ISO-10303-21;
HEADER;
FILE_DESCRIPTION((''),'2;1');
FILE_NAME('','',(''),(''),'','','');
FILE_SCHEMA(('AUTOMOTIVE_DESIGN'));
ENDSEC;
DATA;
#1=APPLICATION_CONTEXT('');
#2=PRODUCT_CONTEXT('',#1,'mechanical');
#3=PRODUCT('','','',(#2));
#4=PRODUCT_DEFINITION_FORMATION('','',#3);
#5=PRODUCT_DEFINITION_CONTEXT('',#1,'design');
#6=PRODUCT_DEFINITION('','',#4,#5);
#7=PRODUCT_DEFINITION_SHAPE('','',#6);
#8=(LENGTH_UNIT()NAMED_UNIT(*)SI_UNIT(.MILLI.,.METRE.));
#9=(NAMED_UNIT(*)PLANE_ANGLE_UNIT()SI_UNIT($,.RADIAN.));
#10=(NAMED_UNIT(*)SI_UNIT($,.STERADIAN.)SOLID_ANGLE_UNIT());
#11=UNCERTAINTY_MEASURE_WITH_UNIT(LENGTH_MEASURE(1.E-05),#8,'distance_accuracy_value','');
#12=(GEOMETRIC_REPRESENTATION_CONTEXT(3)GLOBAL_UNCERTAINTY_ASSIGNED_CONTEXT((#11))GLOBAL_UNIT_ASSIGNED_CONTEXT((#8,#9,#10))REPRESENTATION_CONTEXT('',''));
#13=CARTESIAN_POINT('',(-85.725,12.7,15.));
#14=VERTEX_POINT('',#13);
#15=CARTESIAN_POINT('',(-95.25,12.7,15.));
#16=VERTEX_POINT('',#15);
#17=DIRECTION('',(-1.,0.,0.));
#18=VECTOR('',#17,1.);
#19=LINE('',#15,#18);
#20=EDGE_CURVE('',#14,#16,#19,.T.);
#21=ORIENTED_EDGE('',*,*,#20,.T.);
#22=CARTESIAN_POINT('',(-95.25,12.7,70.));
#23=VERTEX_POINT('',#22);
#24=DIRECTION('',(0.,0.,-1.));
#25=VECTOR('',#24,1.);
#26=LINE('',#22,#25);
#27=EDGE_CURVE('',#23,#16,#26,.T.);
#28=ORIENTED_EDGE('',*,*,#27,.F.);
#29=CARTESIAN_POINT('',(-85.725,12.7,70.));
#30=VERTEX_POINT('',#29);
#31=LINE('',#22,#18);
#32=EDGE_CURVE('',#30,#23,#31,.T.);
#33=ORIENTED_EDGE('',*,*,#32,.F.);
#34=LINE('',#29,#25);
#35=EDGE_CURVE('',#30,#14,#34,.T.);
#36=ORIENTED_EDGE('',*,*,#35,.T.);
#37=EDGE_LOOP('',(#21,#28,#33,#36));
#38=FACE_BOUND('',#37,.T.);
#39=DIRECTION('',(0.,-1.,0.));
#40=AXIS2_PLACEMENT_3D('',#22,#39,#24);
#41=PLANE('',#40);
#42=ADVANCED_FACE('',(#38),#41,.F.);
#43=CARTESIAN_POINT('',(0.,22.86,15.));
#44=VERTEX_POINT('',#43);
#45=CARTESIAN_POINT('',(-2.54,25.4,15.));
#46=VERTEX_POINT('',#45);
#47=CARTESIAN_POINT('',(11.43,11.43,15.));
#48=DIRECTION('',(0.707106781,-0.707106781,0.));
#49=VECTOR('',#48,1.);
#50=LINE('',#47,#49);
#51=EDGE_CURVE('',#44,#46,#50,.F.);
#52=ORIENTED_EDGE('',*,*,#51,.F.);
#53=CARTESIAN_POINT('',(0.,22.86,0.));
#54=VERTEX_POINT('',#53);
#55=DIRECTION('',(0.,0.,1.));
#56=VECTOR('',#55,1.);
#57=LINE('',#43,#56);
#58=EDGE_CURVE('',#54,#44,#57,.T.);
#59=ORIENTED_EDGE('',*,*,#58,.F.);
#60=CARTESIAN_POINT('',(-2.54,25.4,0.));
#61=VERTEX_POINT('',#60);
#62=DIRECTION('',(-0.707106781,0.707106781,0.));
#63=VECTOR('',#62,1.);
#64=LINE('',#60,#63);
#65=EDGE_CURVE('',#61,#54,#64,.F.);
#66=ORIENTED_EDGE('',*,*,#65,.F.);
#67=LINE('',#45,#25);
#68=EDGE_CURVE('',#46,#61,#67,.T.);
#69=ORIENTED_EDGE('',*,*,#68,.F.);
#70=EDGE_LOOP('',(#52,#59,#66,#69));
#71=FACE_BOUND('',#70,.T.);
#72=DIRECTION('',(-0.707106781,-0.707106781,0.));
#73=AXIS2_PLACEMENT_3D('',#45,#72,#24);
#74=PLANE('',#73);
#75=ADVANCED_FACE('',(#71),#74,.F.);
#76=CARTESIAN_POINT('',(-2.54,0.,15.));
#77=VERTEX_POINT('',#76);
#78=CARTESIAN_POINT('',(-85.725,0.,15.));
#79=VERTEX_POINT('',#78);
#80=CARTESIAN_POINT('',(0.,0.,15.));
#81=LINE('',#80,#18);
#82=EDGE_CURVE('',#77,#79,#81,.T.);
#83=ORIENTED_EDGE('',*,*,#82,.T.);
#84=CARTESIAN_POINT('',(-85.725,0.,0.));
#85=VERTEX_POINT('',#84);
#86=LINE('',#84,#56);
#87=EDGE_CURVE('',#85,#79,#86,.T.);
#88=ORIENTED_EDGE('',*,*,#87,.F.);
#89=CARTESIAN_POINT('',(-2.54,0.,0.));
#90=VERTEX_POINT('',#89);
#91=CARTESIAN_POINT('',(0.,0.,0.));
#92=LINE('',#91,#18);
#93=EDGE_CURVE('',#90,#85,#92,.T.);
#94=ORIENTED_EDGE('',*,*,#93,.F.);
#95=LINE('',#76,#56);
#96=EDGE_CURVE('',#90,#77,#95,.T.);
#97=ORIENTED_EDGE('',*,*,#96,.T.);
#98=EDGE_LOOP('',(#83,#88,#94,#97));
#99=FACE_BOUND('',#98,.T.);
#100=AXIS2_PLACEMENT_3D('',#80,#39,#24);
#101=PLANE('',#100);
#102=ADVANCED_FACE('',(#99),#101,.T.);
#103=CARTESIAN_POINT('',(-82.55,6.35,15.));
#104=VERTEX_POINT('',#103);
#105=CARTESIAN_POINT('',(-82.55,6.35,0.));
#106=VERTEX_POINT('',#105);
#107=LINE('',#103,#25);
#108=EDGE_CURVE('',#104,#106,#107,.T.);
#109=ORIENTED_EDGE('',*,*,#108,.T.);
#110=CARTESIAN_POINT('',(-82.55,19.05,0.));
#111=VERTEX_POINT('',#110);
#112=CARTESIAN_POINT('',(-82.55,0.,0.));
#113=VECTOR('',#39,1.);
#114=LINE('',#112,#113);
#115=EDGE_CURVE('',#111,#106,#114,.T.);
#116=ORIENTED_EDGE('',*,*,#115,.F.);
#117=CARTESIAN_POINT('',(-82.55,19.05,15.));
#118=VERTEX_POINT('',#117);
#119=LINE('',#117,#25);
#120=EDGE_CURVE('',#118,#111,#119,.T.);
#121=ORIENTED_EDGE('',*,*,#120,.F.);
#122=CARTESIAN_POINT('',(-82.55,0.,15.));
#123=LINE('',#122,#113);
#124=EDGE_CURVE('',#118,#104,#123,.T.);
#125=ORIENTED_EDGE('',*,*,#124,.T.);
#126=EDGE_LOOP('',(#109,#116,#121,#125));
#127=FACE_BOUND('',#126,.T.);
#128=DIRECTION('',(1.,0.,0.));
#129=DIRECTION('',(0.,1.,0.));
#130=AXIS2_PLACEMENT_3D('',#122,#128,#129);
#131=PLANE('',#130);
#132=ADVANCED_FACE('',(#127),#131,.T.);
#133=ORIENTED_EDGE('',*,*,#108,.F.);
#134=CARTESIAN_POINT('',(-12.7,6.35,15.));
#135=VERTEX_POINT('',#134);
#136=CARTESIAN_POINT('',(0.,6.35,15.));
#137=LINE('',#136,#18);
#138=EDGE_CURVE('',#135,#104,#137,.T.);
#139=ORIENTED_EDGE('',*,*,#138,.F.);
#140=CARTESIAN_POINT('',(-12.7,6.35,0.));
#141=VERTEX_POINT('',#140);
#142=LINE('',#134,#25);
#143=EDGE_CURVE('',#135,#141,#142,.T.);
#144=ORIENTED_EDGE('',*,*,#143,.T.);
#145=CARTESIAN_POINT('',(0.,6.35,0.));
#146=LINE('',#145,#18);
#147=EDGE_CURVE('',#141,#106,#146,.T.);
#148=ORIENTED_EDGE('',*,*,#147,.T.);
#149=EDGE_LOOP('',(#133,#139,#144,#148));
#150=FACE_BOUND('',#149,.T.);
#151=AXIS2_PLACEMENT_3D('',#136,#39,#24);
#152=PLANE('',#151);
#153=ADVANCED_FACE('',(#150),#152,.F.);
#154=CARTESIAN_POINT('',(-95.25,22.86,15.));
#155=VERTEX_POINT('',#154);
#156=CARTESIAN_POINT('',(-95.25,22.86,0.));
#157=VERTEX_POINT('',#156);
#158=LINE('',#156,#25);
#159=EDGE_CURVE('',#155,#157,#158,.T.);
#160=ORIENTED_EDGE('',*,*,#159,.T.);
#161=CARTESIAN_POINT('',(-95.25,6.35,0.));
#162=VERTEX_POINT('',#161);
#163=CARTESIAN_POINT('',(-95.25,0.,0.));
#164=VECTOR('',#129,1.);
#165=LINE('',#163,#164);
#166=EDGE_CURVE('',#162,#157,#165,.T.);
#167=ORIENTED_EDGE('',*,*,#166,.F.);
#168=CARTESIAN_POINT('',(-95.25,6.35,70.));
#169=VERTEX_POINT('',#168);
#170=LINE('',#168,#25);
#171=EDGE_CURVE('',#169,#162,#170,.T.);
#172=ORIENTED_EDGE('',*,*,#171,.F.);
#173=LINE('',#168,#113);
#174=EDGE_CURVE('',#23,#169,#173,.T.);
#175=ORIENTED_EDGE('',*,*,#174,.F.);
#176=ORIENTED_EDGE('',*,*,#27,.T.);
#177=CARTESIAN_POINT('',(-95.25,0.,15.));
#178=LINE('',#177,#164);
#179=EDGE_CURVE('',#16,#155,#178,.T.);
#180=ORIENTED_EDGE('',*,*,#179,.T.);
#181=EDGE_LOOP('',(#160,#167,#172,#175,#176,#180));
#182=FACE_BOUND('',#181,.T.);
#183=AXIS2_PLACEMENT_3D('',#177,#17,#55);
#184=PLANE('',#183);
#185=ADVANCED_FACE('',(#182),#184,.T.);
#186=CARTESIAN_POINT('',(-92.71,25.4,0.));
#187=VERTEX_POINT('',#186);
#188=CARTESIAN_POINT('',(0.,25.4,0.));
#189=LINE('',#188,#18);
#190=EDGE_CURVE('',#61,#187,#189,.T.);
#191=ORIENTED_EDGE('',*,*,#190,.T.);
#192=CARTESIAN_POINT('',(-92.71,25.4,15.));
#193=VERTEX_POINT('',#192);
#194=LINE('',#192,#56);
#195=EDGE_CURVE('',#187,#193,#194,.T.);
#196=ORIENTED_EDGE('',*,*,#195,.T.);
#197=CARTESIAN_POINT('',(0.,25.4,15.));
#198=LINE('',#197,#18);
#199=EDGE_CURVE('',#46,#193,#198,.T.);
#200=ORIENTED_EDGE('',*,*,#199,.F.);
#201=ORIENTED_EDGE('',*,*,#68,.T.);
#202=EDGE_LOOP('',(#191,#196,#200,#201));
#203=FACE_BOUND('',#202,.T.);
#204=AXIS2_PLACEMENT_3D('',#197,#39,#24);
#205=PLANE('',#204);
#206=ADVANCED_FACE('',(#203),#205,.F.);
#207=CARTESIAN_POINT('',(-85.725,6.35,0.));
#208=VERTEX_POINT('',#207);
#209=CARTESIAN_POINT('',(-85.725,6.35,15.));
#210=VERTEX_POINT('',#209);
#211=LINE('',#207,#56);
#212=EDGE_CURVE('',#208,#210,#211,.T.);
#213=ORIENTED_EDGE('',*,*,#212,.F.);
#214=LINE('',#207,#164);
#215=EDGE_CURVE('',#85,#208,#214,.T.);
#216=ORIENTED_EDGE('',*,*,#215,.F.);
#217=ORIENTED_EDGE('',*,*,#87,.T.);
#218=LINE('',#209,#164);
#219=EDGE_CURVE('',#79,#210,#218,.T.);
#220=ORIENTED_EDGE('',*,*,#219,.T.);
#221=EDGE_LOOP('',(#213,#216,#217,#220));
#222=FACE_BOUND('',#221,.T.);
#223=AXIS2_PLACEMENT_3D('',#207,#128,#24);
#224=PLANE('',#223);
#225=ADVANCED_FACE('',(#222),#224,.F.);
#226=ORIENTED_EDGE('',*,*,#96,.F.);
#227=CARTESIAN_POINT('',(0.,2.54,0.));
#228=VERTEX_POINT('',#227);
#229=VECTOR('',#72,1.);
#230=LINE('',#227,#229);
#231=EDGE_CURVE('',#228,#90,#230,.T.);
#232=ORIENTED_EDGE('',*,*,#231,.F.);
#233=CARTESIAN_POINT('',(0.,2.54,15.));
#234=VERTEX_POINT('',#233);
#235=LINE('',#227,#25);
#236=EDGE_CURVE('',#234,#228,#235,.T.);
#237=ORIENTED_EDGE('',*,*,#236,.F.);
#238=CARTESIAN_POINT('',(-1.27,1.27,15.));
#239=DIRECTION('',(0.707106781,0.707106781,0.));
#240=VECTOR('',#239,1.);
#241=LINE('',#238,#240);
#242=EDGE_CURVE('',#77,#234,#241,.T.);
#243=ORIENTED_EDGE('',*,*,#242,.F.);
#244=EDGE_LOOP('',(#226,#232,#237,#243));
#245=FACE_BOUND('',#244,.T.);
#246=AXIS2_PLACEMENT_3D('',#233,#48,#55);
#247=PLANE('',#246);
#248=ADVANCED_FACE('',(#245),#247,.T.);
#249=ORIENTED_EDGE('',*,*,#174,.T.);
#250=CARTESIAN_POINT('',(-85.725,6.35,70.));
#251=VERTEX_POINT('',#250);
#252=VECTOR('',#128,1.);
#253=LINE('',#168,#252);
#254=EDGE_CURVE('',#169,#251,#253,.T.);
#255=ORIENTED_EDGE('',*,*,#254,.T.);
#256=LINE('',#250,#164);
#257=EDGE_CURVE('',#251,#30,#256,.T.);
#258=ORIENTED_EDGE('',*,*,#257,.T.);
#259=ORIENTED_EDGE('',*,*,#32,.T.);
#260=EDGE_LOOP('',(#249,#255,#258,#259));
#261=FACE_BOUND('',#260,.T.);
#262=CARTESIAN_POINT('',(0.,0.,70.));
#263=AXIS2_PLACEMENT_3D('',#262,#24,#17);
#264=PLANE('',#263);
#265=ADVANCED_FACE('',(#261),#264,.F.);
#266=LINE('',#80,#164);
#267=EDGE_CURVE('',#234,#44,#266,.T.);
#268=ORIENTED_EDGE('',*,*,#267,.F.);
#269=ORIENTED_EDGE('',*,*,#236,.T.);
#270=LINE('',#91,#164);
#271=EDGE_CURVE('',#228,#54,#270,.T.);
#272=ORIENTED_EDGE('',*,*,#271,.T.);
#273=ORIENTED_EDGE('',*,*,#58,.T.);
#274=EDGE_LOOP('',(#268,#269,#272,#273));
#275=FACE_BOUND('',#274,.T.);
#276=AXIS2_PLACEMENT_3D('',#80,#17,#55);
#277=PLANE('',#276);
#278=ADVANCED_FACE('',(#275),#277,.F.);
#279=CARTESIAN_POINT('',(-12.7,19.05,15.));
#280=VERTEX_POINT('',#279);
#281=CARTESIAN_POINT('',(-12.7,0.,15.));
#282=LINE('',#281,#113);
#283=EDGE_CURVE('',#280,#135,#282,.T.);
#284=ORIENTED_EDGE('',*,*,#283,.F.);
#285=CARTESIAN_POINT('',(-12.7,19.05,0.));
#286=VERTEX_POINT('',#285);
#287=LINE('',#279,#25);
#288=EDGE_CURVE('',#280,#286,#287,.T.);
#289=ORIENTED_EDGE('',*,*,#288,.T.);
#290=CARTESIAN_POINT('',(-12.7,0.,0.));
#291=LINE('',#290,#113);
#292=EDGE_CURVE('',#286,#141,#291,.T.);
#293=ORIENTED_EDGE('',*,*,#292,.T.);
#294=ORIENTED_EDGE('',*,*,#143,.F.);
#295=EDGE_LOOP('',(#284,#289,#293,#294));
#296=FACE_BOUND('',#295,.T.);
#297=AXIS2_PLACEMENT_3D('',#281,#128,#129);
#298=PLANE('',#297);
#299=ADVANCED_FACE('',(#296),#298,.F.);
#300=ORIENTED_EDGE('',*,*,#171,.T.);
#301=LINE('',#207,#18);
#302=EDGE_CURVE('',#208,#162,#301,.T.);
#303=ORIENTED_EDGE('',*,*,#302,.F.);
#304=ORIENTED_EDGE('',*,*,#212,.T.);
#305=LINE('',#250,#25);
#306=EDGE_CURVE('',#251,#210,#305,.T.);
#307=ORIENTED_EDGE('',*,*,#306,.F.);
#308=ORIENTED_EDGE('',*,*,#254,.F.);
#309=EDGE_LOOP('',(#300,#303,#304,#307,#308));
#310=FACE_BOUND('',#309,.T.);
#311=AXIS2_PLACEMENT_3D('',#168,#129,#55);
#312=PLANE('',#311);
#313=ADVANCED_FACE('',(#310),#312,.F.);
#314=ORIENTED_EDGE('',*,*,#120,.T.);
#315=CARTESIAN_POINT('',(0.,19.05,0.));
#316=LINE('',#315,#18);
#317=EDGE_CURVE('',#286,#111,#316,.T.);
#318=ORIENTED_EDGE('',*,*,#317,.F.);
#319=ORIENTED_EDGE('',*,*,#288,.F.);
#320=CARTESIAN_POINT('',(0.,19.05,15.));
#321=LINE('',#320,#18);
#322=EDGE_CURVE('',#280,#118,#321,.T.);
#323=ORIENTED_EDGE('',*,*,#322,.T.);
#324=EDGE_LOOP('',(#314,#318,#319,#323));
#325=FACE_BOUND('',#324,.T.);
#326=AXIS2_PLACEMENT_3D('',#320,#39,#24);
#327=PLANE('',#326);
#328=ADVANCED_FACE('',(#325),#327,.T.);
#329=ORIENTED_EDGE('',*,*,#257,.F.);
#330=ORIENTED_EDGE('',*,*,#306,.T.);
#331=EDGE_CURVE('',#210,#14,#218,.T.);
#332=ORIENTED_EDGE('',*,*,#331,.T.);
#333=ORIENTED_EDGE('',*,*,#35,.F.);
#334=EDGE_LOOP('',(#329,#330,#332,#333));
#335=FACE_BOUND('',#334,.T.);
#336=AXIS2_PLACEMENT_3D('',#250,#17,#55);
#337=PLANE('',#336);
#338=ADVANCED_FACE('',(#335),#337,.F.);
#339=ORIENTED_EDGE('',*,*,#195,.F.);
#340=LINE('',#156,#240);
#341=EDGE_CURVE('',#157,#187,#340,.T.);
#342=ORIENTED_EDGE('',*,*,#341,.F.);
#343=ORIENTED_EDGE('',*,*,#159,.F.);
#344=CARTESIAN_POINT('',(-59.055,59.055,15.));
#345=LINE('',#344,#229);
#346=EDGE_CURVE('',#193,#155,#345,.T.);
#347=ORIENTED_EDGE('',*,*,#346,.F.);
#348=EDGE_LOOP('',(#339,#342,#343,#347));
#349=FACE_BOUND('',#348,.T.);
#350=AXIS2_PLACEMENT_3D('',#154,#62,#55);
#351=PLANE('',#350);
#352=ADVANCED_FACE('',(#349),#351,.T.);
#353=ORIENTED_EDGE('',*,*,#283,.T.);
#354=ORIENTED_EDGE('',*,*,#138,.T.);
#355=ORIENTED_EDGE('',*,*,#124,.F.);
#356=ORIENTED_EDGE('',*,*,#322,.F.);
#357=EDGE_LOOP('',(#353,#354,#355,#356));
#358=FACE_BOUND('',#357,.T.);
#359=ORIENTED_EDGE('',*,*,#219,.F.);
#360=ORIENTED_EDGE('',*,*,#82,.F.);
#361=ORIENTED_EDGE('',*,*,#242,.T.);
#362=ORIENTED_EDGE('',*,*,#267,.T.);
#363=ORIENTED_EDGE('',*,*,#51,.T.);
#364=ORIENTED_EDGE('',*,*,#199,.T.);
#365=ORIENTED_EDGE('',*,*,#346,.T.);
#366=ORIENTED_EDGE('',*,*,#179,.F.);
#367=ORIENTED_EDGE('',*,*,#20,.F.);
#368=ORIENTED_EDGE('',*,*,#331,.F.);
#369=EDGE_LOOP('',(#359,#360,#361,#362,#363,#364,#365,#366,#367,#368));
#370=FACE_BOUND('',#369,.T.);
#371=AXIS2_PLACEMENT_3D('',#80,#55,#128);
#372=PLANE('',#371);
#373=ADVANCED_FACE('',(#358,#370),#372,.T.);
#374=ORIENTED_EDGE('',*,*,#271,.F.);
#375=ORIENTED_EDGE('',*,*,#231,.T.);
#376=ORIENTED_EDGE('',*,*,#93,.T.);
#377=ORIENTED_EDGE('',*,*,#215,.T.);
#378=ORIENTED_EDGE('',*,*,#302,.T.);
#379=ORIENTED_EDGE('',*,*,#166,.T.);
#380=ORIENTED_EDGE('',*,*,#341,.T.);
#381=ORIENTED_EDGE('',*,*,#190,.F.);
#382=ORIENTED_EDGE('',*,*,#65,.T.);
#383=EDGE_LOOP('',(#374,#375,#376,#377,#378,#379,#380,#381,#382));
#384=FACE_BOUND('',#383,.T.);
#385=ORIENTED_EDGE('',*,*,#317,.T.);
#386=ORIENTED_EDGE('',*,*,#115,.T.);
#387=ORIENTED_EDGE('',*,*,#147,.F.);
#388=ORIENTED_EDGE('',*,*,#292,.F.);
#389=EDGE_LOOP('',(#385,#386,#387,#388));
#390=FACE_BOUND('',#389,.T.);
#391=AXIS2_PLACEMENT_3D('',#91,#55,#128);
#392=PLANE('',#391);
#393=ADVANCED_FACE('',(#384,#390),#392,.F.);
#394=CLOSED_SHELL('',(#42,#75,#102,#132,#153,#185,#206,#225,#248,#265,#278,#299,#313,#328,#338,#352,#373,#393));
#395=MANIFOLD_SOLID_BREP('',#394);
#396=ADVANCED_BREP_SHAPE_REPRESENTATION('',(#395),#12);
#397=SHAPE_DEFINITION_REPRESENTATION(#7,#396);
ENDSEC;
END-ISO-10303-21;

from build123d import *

# Parameters (mm, degrees)
SKETCH1_W           = 95.25
SKETCH1_H           = 25.4
SKETCH1_W_2         = 69.85
SKETCH1_H_2         = 12.7
BOSS_EXTRUDE1_DEPTH = 15
SKETCH2_W           = 9.525
SKETCH2_H           = 6.35
BOSS_EXTRUDE2_DEPTH = 55
CHAMFER1_SIZE       = 2.54
SKETCH4_W           = 9.525
SKETCH4_H           = 6.35
CUT_EXTRUDE2_DEPTH  = 113.883667995


with BuildPart() as part:
    # Sketch1 → Boss-Extrude1 (new body)
    with BuildSketch(Plane.XY):
        with Locations((-47.625, 12.7)):
            Rectangle(SKETCH1_W, SKETCH1_H)
        with Locations((-47.625, 12.7)):
            Rectangle(SKETCH1_W_2, SKETCH1_H_2, mode=Mode.SUBTRACT)
    extrude(amount=BOSS_EXTRUDE1_DEPTH)

    # Sketch2 → Boss-Extrude2 (add)
    with BuildSketch(Plane.XY.offset(15)):
        with Locations((-90.4875, 9.525)):
            Rectangle(SKETCH2_W, SKETCH2_H)
    extrude(amount=BOSS_EXTRUDE2_DEPTH)

    # Chamfer1
    chamfer1_edges = [part.edges().sort_by_distance(p)[0] for p in [
        (-95.25, 25.4, 7.5),
        (0, 25.4, 7.5),
        (0, 0, 7.5),
        (-95.25, 0, 7.5),
    ]]
    chamfer(chamfer1_edges, length=CHAMFER1_SIZE)

    # Sketch4 → Cut-Extrude2 (cut, through all)
    with BuildSketch(Plane.XY.offset(15)):
        with Locations((-90.4875, 3.175)):
            Rectangle(SKETCH4_W, SKETCH4_H)
    extrude(amount=-CUT_EXTRUDE2_DEPTH, mode=Mode.SUBTRACT)


solid = part.part
